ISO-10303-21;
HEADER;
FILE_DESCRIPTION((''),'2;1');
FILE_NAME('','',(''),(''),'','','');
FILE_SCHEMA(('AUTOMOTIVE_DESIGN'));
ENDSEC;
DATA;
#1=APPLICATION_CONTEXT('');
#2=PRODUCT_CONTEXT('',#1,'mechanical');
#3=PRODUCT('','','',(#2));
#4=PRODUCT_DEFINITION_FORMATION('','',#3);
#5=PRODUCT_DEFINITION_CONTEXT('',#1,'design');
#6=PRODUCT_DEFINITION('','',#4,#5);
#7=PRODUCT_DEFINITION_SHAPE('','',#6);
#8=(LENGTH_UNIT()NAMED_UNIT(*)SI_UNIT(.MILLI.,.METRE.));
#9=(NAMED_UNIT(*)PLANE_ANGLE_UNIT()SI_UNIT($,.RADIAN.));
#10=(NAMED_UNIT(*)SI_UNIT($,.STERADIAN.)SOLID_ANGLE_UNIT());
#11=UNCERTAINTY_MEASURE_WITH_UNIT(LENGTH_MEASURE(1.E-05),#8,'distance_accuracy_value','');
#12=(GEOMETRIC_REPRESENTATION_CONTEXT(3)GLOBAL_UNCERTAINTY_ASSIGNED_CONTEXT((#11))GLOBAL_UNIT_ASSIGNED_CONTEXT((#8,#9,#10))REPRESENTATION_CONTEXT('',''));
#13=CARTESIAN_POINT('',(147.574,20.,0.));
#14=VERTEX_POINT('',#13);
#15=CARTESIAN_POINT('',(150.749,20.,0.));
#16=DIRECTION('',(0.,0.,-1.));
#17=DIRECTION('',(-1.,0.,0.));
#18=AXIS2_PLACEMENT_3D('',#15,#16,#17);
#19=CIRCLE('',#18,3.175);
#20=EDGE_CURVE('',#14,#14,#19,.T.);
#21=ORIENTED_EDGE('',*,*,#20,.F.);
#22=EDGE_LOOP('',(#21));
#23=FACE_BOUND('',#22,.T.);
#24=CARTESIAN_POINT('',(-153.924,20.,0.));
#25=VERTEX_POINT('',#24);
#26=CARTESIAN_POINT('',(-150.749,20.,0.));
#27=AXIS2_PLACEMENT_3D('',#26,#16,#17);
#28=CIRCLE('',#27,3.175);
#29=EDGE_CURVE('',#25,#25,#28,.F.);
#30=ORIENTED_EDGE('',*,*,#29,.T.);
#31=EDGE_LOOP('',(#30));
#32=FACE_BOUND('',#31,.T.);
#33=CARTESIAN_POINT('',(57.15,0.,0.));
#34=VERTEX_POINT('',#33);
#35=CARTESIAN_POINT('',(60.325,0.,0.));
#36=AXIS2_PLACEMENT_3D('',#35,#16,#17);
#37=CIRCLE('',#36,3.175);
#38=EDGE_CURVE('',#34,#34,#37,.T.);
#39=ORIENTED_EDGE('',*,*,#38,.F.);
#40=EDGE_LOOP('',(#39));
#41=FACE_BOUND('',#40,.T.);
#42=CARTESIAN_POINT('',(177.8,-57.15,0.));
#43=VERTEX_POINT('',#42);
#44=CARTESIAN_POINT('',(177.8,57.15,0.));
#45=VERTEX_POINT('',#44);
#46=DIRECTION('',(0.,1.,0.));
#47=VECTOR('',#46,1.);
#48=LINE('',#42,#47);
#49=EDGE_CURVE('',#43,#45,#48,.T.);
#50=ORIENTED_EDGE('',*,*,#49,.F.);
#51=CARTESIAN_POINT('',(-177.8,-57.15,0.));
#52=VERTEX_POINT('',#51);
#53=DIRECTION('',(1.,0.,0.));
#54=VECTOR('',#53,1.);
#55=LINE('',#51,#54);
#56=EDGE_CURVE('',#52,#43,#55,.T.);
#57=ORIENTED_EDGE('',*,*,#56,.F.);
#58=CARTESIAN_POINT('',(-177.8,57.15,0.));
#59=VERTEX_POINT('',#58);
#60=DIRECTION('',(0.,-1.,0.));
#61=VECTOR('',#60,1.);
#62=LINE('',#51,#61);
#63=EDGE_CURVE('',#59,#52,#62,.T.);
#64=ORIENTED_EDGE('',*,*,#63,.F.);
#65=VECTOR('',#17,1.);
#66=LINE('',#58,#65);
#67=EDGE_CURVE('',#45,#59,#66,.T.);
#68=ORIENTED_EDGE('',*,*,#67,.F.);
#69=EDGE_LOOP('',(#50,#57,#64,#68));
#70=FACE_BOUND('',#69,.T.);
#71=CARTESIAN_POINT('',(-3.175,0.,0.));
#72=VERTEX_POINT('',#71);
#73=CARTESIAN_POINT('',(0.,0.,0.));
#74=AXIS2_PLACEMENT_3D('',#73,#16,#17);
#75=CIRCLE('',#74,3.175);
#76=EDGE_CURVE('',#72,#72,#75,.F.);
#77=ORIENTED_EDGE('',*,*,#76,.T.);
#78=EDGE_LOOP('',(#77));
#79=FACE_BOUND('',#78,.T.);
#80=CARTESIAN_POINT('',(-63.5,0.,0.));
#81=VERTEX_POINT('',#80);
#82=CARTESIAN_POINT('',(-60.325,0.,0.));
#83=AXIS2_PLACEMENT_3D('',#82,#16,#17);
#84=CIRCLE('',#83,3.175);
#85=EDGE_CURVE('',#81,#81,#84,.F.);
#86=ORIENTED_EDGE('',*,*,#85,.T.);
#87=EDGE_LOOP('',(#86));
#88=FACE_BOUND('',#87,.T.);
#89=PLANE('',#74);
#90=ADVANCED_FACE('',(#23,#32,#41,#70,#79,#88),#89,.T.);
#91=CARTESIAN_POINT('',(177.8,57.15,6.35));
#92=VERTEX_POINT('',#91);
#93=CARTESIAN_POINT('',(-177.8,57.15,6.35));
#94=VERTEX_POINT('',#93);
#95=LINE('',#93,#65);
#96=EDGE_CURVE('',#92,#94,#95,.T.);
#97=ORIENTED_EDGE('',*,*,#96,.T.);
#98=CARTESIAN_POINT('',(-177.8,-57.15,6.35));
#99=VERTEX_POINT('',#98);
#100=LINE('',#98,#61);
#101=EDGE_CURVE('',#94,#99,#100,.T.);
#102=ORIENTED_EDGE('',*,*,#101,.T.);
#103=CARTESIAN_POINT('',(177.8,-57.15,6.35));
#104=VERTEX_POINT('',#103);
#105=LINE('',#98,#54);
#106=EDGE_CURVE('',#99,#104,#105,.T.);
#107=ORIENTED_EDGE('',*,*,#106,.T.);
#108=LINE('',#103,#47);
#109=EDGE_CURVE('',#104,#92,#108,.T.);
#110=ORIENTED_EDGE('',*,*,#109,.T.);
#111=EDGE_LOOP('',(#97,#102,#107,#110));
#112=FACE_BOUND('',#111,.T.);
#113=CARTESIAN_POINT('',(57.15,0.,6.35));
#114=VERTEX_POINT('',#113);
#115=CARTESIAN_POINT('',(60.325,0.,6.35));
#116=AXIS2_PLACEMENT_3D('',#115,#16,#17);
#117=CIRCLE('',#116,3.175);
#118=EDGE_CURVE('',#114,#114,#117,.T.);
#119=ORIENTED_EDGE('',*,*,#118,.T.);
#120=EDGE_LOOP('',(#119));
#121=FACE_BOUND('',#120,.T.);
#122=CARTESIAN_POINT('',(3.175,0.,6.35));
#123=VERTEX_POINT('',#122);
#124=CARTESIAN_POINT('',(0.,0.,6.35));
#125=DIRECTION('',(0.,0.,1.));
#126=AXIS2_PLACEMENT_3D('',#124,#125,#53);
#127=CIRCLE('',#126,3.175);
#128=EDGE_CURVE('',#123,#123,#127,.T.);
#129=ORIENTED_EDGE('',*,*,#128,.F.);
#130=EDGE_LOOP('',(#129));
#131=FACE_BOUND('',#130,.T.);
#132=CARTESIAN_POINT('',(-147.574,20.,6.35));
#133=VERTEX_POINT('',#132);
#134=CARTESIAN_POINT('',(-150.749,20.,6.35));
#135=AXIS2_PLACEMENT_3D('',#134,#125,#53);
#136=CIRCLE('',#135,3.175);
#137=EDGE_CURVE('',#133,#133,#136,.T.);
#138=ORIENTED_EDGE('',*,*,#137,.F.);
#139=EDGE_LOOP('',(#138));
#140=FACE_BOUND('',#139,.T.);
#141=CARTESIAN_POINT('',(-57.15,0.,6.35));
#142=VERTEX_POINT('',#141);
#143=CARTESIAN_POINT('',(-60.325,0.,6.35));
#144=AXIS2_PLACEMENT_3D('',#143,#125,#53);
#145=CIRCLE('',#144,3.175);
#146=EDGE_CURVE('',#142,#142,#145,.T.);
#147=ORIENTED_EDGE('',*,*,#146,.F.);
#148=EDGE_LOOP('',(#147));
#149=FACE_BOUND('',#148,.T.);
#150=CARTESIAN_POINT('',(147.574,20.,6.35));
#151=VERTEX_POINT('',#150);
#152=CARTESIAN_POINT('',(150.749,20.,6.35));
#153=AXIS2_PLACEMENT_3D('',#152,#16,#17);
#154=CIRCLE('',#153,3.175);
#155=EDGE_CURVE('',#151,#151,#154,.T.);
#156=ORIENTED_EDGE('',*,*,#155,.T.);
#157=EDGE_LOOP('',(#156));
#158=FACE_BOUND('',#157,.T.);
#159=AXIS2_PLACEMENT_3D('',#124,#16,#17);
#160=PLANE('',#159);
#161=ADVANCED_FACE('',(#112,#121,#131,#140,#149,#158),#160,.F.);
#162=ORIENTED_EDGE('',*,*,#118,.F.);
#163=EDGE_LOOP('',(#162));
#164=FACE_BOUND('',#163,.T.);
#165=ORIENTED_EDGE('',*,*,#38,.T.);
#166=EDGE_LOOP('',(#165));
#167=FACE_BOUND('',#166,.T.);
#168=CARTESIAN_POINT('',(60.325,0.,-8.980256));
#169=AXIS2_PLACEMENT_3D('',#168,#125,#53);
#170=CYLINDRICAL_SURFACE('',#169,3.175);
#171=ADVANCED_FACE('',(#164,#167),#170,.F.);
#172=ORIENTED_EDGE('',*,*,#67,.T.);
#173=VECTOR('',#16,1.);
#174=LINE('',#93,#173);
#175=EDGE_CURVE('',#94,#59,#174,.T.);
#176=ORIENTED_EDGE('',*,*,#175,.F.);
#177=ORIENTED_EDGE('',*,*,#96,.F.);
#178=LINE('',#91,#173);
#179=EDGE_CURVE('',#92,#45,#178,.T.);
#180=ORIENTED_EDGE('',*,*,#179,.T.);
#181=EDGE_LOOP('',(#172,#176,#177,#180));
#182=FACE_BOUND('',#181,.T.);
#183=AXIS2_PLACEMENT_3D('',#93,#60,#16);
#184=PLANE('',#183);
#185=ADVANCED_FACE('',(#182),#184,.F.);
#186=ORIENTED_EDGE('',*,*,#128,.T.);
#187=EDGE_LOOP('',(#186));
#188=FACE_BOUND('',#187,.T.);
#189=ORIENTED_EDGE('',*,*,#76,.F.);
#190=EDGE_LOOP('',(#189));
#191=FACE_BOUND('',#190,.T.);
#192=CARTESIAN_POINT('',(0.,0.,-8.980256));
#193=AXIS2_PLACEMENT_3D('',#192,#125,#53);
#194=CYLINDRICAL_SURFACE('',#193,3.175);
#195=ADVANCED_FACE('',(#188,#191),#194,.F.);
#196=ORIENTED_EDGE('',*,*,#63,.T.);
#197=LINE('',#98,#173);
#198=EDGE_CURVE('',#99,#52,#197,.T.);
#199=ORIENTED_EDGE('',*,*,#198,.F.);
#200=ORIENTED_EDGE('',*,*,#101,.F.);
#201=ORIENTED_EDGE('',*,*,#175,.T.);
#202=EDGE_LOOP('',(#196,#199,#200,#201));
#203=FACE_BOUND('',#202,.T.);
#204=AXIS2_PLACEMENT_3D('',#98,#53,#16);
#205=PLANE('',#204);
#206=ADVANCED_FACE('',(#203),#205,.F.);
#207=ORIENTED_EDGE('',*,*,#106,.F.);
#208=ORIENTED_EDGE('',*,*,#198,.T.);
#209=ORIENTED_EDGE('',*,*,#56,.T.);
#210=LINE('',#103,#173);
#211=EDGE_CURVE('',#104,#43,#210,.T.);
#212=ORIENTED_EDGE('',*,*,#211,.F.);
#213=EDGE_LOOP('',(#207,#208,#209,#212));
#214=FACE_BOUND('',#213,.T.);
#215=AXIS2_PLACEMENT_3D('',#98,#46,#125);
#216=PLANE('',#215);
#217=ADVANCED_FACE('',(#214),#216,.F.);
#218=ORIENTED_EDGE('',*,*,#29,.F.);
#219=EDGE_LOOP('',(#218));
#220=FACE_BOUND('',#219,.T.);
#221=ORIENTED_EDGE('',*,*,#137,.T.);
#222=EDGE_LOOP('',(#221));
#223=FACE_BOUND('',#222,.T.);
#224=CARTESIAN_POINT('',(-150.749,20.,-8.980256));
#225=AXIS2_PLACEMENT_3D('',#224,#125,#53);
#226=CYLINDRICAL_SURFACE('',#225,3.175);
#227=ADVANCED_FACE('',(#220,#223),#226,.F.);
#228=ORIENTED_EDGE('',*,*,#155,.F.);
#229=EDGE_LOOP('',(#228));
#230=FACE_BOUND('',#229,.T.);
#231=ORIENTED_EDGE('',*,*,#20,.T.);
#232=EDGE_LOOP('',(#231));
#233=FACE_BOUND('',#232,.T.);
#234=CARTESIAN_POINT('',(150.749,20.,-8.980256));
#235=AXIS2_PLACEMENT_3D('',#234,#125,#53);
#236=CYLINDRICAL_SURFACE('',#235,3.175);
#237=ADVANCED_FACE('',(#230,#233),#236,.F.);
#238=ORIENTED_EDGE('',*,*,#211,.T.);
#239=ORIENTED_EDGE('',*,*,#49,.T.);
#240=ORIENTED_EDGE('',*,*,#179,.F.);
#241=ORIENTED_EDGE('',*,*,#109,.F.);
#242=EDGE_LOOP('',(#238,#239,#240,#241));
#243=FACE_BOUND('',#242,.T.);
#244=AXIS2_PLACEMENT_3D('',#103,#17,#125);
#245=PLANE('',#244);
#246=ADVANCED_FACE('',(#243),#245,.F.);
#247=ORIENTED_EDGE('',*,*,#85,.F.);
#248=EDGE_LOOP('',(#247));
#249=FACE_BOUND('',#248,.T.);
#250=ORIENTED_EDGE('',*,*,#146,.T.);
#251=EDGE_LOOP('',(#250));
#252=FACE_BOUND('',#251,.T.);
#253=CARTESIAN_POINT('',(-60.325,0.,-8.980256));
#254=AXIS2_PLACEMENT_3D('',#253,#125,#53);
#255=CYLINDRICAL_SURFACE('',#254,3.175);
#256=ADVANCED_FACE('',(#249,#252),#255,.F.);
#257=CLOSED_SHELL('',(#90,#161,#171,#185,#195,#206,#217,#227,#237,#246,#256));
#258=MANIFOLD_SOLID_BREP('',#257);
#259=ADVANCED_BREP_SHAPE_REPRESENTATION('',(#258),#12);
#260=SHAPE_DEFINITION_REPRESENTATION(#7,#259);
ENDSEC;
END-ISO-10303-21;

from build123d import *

# Parameters (mm, degrees)
SKETCH1_W           = 355.6
SKETCH1_H           = 114.3
BOSS_EXTRUDE1_DEPTH = 6.35
SKETCH3_R           = 3.175
CUT_EXTRUDE1_DEPTH  = 6.35


with BuildPart() as part:
    # Sketch1 → Boss-Extrude1 (new body)
    with BuildSketch(Plane.XY):
        Rectangle(SKETCH1_W, SKETCH1_H)
    extrude(amount=BOSS_EXTRUDE1_DEPTH)

    # Sketch3 → Cut-Extrude1 (cut)
    with BuildSketch(Plane.XY.offset(6.35)):
        with Locations((-60.325, 0)):
            Circle(SKETCH3_R)
        Circle(SKETCH3_R)
        with Locations((-150.749, 20)):
            Circle(SKETCH3_R)
    cut_extrude1 = extrude(amount=-CUT_EXTRUDE1_DEPTH, mode=Mode.SUBTRACT)

    # Mirror3: Cut-Extrude1 across plane
    add(cut_extrude1.mirror(Plane(origin=(0, 0, 0), x_dir=(0, 0, 1), z_dir=(1, 0, 0))), mode=Mode.SUBTRACT)


solid = part.part
